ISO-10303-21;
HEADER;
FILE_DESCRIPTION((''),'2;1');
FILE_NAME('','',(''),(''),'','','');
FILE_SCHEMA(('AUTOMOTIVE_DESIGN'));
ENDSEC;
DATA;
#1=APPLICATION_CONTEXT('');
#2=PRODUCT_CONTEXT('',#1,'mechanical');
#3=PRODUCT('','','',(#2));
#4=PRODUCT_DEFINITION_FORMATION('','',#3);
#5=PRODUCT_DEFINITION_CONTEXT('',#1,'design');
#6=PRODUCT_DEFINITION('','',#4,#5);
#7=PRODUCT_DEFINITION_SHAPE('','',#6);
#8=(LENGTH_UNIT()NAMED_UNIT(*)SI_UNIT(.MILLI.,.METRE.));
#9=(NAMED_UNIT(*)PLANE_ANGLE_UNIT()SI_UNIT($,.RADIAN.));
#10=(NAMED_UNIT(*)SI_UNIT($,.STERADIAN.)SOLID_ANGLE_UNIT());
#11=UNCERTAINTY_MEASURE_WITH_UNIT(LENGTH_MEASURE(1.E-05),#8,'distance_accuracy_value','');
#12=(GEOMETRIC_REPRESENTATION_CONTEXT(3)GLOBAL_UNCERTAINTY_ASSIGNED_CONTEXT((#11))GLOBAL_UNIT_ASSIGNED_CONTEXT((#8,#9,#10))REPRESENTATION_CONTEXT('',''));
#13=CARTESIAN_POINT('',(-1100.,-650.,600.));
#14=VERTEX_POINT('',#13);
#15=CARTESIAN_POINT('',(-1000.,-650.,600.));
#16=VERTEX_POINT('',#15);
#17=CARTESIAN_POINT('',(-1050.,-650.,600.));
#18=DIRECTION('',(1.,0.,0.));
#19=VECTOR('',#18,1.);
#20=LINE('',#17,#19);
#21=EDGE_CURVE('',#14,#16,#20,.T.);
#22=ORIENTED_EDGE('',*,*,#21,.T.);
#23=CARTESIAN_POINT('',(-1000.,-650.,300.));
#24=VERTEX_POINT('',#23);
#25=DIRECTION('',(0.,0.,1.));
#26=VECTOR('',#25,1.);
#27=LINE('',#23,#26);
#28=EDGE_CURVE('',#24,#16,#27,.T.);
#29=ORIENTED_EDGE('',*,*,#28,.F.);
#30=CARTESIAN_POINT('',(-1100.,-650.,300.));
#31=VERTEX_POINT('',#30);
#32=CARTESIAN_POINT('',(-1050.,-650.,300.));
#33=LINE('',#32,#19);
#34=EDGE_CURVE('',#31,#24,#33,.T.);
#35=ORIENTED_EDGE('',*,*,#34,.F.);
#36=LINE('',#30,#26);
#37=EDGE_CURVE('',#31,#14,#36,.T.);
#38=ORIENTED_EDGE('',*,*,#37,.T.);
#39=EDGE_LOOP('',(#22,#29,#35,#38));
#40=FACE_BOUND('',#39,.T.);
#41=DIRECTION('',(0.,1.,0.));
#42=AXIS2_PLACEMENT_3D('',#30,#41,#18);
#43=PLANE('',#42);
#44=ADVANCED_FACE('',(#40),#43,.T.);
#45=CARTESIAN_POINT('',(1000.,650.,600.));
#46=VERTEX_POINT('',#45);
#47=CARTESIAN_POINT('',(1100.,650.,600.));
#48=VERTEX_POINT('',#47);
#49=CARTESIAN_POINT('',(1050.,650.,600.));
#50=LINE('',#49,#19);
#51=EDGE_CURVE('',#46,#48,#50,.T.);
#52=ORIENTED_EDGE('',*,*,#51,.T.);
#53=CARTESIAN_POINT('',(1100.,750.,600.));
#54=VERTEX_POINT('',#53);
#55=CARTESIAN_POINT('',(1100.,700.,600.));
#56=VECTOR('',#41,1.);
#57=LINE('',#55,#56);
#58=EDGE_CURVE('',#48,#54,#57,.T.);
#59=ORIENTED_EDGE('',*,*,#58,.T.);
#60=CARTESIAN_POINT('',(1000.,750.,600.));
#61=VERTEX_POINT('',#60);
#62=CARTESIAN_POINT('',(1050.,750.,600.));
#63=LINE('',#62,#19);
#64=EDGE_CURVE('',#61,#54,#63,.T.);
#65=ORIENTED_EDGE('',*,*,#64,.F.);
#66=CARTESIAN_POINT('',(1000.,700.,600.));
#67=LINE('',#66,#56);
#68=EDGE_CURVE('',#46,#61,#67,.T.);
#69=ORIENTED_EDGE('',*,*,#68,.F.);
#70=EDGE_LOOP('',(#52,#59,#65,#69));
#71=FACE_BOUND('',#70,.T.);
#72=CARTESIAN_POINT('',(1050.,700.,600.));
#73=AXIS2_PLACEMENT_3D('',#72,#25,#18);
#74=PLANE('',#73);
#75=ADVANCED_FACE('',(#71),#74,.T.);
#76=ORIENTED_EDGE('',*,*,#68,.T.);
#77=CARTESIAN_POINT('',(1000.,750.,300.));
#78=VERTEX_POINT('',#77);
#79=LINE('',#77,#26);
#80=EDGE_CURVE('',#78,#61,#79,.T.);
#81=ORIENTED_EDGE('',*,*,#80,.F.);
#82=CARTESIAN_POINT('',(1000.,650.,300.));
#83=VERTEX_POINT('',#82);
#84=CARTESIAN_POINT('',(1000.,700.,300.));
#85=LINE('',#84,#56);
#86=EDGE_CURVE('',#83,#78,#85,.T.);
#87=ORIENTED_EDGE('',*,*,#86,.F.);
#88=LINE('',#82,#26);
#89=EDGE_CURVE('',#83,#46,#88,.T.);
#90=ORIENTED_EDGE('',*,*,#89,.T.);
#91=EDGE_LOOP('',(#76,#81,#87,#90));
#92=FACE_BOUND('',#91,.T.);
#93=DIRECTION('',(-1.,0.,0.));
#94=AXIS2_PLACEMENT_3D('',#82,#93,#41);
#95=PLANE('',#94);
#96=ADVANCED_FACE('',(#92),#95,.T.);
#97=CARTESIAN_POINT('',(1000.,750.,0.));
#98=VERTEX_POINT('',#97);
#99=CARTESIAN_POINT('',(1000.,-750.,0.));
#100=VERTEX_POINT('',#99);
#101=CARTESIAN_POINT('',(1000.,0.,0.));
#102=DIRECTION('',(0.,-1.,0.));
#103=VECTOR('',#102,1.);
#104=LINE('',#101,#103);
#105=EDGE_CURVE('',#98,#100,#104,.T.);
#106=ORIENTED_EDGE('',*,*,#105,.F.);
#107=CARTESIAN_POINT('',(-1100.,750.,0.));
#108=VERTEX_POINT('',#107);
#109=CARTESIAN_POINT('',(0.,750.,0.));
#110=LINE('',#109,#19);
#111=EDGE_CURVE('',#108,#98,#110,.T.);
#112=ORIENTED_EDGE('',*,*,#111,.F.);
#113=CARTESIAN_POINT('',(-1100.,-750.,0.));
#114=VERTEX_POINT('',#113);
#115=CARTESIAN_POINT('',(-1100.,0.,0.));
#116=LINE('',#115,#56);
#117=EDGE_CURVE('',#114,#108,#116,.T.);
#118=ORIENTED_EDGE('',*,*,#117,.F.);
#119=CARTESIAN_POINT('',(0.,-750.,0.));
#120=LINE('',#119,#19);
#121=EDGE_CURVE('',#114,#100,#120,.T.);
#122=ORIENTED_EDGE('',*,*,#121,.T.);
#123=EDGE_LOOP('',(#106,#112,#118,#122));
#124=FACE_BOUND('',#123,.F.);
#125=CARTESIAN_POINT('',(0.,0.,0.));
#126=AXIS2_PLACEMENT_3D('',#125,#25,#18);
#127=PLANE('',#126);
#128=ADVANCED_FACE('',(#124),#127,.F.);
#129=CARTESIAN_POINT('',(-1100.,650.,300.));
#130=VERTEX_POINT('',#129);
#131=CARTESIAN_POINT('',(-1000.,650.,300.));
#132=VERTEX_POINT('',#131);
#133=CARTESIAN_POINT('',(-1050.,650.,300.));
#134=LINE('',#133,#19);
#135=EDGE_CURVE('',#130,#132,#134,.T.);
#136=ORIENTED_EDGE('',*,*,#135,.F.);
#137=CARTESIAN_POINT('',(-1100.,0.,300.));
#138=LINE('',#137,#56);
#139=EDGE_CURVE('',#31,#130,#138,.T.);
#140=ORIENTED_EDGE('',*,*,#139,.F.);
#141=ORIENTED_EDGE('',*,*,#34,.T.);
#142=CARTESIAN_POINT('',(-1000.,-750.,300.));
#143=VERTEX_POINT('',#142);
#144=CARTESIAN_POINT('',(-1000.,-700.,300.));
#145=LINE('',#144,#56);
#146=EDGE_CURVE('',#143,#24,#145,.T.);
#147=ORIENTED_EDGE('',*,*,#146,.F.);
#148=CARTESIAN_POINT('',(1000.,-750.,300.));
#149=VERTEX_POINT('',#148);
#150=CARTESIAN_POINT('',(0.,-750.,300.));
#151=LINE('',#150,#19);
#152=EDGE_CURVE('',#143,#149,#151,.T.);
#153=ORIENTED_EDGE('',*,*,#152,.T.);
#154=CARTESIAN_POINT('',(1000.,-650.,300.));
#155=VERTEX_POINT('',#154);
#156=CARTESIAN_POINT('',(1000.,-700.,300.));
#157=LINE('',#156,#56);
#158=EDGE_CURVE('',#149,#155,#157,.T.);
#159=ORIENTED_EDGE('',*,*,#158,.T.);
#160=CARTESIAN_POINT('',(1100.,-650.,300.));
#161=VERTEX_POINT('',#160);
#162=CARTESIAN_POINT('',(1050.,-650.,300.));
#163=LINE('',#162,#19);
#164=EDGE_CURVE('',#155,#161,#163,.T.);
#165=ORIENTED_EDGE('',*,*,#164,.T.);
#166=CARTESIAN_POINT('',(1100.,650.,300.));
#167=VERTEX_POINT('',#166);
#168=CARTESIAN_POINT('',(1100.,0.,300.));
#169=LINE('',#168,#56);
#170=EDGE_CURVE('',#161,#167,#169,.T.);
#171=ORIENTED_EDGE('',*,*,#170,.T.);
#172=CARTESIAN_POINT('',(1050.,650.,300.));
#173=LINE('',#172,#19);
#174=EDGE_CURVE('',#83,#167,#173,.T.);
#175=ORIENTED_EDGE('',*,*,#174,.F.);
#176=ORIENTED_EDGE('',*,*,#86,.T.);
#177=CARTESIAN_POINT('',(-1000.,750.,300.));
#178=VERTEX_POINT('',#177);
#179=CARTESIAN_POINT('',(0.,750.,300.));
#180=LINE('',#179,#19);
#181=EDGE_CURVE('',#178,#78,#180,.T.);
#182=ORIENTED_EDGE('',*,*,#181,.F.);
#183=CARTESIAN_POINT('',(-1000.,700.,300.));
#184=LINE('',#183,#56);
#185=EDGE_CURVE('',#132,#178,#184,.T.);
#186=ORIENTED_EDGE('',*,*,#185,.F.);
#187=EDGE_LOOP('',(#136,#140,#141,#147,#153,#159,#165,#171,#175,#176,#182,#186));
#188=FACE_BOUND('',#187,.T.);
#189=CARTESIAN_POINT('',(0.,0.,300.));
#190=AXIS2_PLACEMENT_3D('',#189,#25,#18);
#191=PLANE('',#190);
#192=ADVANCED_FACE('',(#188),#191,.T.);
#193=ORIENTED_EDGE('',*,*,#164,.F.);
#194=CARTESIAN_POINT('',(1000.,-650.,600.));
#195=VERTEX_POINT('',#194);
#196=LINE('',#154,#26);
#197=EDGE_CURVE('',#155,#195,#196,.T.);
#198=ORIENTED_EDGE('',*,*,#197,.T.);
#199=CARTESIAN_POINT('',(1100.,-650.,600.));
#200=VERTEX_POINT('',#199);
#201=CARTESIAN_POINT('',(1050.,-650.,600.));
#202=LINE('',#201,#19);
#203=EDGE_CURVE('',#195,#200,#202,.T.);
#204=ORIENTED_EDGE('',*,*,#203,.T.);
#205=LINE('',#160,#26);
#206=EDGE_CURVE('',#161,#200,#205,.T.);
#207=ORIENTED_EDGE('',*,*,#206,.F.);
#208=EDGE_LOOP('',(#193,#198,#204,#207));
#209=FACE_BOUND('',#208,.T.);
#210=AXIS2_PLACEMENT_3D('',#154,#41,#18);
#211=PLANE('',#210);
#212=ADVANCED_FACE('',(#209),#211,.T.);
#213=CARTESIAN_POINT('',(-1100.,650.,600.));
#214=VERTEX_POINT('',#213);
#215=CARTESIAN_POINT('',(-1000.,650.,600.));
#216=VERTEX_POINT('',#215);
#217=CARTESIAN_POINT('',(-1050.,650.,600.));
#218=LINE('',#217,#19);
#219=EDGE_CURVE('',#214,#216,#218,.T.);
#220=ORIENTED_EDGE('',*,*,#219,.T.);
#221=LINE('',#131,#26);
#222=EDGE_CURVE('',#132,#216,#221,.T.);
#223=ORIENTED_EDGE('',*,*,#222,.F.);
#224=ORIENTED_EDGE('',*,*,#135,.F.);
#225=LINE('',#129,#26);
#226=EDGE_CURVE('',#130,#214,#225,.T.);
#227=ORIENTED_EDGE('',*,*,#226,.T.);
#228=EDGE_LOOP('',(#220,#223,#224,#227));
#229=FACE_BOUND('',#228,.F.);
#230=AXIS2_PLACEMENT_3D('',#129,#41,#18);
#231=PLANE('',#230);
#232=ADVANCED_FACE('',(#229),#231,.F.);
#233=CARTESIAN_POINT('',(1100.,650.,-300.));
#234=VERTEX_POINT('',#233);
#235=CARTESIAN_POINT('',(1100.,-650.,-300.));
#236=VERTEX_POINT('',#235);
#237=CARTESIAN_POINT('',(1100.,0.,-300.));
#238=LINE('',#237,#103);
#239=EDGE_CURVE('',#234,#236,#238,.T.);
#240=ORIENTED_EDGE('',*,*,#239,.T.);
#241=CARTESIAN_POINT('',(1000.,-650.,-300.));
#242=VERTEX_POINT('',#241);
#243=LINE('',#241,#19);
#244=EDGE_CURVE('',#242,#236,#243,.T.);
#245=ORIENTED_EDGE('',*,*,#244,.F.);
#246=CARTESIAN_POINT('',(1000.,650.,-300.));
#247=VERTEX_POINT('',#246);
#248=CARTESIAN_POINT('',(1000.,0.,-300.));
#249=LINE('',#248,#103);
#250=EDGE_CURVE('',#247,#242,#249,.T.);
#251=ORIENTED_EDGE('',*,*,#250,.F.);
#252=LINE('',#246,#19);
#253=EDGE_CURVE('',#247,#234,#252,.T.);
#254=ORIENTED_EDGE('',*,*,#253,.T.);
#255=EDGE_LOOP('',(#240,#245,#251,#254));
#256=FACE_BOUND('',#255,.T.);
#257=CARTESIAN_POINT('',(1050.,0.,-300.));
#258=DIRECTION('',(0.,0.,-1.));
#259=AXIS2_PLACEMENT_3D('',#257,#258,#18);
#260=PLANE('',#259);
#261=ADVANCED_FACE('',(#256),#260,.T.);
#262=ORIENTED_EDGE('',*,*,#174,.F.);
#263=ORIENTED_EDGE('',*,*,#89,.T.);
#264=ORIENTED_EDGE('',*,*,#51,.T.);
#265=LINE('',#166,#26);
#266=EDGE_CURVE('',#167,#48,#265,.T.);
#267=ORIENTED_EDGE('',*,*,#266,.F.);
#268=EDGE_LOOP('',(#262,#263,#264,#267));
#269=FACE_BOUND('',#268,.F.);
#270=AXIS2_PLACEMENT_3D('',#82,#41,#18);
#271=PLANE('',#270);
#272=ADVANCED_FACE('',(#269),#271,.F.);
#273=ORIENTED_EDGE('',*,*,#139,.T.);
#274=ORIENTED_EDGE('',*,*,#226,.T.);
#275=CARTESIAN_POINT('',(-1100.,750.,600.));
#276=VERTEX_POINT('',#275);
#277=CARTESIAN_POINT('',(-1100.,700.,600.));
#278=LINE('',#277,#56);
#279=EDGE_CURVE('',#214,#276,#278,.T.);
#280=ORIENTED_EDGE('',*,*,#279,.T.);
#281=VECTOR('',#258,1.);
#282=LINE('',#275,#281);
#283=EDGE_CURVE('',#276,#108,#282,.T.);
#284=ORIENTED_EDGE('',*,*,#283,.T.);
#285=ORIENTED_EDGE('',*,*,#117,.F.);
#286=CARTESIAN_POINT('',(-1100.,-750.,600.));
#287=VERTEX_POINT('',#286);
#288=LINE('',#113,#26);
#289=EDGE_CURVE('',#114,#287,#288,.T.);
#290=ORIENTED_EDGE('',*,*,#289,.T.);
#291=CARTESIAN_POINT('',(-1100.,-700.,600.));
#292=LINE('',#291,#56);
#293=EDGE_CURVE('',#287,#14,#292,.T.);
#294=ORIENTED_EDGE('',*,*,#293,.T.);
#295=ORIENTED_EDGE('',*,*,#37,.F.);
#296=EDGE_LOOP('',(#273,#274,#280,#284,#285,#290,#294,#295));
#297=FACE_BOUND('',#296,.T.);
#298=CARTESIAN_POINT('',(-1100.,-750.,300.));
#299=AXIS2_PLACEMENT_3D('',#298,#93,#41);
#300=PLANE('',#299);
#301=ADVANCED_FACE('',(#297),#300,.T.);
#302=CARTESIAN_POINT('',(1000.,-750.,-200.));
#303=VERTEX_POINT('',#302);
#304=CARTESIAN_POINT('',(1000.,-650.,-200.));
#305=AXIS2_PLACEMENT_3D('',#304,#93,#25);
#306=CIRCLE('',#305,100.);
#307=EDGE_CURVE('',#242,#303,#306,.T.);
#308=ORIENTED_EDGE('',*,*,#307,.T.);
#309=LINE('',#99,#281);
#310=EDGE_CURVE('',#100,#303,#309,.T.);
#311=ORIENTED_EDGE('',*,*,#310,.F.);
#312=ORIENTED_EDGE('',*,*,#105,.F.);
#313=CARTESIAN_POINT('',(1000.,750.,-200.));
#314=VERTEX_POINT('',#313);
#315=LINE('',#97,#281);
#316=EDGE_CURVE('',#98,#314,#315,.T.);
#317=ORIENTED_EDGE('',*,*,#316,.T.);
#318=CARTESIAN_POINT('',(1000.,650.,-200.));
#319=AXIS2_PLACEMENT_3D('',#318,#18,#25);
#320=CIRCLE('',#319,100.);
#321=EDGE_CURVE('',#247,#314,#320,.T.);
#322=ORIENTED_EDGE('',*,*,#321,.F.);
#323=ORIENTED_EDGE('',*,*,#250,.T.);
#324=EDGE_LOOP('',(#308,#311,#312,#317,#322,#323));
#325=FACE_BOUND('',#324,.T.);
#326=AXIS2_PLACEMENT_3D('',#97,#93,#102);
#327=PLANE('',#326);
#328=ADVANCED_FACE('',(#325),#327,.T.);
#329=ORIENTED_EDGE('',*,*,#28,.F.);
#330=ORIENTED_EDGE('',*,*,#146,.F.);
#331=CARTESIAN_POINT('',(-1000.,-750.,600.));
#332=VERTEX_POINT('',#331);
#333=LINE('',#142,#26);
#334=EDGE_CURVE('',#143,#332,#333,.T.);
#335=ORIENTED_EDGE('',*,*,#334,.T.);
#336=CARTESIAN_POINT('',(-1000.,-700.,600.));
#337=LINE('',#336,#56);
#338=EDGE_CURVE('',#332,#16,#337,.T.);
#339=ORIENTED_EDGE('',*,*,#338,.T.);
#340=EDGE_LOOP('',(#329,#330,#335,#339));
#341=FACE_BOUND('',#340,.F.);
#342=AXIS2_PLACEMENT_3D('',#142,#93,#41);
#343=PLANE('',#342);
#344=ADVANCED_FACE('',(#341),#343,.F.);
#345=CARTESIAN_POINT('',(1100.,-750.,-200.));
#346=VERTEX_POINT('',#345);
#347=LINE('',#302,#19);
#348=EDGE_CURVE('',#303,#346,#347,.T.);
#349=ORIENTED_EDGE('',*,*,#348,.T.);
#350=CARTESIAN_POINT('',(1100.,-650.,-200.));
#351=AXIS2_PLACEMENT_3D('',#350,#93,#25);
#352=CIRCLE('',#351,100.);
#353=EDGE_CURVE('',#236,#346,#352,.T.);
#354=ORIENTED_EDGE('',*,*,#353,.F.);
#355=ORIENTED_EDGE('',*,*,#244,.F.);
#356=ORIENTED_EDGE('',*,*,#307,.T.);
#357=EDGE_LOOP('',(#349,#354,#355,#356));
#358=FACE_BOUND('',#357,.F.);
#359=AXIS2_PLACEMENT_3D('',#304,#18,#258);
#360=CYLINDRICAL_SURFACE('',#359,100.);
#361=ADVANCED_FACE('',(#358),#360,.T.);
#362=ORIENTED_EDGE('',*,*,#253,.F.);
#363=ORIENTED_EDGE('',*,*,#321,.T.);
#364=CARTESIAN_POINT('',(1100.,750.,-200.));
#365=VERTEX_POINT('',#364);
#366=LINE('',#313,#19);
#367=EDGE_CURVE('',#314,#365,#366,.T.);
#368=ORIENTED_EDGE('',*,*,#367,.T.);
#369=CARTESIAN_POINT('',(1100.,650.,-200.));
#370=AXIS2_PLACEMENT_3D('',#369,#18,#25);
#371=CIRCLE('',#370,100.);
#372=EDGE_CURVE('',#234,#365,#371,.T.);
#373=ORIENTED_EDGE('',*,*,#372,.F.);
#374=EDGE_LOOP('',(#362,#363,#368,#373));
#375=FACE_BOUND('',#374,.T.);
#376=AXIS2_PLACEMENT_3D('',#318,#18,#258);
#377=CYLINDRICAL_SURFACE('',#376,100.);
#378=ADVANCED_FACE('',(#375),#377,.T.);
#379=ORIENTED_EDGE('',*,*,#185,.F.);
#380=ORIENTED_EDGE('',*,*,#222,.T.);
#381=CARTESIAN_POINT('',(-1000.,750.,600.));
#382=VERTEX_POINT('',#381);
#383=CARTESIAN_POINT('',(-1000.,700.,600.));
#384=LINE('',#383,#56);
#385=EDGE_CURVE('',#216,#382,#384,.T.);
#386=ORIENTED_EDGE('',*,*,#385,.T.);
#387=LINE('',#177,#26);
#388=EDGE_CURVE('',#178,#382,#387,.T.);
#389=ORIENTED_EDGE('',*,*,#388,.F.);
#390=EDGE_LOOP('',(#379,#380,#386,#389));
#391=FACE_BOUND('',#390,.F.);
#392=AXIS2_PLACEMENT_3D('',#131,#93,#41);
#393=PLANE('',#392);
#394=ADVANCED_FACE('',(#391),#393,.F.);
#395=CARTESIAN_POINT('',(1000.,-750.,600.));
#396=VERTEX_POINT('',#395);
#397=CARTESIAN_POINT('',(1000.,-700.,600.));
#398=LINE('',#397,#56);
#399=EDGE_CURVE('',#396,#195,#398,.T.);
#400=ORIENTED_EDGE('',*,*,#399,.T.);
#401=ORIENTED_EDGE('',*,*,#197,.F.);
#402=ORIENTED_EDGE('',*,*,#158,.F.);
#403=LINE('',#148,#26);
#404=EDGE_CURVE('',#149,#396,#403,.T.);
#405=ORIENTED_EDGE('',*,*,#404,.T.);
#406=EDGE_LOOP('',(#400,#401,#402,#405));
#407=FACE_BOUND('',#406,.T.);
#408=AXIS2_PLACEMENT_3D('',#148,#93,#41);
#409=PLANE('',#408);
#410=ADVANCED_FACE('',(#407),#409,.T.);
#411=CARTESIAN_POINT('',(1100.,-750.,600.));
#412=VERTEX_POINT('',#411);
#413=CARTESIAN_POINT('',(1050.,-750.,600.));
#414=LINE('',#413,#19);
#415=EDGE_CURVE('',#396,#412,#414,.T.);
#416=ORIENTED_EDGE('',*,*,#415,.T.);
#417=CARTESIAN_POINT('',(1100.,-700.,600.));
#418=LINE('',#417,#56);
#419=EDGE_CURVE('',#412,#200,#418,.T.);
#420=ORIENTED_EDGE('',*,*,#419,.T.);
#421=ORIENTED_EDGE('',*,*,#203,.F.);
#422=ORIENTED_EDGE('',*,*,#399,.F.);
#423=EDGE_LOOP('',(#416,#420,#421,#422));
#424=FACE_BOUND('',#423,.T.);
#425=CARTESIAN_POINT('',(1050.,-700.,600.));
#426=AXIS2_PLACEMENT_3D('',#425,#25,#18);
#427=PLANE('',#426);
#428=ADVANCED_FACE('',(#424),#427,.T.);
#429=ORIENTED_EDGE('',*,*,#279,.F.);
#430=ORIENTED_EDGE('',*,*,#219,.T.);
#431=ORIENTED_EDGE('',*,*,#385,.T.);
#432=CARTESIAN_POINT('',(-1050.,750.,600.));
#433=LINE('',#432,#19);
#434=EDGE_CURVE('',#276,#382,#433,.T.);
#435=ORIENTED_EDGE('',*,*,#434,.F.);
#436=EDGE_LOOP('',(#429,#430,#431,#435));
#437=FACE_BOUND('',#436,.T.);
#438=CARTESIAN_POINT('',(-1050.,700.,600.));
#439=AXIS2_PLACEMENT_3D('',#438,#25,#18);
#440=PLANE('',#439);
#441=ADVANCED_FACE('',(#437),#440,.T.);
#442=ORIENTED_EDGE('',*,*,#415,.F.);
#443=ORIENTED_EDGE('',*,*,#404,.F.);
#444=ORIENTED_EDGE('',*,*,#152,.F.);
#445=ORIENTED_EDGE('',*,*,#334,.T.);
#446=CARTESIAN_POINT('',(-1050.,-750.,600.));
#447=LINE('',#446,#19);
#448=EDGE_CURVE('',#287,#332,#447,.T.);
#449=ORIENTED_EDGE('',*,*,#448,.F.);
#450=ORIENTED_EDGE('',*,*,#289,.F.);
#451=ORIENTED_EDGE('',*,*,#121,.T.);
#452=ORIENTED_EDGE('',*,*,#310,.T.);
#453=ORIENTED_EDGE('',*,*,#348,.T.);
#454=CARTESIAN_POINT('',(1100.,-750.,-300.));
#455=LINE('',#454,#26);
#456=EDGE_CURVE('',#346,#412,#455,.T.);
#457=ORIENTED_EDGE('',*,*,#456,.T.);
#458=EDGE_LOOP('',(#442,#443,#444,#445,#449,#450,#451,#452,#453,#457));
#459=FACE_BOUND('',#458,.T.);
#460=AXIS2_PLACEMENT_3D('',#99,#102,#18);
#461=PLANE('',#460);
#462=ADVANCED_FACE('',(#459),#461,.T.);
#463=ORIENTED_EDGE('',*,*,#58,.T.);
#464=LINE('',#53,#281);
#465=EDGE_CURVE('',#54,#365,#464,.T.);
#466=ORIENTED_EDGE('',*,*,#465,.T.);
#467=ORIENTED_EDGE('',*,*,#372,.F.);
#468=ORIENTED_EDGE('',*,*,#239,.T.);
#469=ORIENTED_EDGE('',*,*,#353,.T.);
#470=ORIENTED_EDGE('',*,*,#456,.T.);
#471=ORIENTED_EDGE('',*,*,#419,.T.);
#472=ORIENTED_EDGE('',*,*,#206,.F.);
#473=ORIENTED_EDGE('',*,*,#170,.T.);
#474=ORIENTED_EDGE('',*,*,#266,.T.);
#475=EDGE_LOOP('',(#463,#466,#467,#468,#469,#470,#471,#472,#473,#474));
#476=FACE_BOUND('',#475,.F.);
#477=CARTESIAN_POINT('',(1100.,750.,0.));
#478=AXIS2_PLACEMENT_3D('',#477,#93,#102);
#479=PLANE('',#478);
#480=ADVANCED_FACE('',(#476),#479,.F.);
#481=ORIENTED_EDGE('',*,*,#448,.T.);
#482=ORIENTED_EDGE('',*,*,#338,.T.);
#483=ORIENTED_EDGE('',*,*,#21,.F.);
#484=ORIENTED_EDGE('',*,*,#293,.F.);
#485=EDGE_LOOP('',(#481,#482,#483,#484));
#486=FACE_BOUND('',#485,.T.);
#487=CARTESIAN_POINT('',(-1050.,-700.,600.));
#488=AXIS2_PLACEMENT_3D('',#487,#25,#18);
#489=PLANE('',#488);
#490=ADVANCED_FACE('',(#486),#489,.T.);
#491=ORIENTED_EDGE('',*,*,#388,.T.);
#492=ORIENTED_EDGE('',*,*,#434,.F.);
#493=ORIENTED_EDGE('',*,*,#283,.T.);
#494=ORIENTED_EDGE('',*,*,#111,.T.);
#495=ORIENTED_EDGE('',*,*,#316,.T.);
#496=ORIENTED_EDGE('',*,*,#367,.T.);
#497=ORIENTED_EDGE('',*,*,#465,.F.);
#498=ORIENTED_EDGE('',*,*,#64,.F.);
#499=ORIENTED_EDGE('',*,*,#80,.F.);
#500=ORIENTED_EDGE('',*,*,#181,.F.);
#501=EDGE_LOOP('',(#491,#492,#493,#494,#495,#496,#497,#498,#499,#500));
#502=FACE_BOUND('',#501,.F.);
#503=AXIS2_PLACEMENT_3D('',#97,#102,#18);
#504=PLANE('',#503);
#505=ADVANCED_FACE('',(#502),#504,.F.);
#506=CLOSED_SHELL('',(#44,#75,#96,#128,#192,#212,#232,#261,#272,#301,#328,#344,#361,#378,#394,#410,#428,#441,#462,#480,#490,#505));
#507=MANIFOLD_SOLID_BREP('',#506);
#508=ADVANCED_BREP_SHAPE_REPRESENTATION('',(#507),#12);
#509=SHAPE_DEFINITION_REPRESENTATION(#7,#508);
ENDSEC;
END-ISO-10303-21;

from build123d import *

# Parameters (mm, degrees)
F0_W     = 2200
F0_H     = 1500
F1_DEPTH = 300
F2_W     = 100
F2_H     = 100
F3_DEPTH = 300
F4_W     = 100
F4_H     = 1500
F5_DEPTH = 300
F6_R     = 100


with BuildPart() as f1:
    # F0 (on Top) → F1 (new body)
    with BuildSketch(Plane.XY):
        Rectangle(F0_W, F0_H)
    extrude(amount=F1_DEPTH)

    # F2 (on face) → F3 (join)
    with BuildSketch(Plane.XY.offset(300)):
        with Locations((-1050, -700)):
            Rectangle(F2_W, F2_H)
        with Locations((-1050, 700)):
            Rectangle(F2_W, F2_H)
        with Locations((1050, -700)):
            Rectangle(F2_W, F2_H)
        with Locations((1050, 700)):
            Rectangle(F2_W, F2_H)
    extrude(amount=F3_DEPTH)

    # F4 (on face) → F5 (join)
    with BuildSketch(Plane(origin=(0, 0, 0), x_dir=(1, 0, 0), z_dir=(0, 0, -1))):
        with Locations((1050, 0)):
            Rectangle(F4_W, F4_H)
    extrude(amount=F5_DEPTH)

    # F6
    f6_edges = [f1.edges().sort_by_distance(p)[0] for p in [
        (1050, -750, -300),
        (1050, 750, -300),
    ]]
    fillet(f6_edges, radius=F6_R)


solid = f1.part
